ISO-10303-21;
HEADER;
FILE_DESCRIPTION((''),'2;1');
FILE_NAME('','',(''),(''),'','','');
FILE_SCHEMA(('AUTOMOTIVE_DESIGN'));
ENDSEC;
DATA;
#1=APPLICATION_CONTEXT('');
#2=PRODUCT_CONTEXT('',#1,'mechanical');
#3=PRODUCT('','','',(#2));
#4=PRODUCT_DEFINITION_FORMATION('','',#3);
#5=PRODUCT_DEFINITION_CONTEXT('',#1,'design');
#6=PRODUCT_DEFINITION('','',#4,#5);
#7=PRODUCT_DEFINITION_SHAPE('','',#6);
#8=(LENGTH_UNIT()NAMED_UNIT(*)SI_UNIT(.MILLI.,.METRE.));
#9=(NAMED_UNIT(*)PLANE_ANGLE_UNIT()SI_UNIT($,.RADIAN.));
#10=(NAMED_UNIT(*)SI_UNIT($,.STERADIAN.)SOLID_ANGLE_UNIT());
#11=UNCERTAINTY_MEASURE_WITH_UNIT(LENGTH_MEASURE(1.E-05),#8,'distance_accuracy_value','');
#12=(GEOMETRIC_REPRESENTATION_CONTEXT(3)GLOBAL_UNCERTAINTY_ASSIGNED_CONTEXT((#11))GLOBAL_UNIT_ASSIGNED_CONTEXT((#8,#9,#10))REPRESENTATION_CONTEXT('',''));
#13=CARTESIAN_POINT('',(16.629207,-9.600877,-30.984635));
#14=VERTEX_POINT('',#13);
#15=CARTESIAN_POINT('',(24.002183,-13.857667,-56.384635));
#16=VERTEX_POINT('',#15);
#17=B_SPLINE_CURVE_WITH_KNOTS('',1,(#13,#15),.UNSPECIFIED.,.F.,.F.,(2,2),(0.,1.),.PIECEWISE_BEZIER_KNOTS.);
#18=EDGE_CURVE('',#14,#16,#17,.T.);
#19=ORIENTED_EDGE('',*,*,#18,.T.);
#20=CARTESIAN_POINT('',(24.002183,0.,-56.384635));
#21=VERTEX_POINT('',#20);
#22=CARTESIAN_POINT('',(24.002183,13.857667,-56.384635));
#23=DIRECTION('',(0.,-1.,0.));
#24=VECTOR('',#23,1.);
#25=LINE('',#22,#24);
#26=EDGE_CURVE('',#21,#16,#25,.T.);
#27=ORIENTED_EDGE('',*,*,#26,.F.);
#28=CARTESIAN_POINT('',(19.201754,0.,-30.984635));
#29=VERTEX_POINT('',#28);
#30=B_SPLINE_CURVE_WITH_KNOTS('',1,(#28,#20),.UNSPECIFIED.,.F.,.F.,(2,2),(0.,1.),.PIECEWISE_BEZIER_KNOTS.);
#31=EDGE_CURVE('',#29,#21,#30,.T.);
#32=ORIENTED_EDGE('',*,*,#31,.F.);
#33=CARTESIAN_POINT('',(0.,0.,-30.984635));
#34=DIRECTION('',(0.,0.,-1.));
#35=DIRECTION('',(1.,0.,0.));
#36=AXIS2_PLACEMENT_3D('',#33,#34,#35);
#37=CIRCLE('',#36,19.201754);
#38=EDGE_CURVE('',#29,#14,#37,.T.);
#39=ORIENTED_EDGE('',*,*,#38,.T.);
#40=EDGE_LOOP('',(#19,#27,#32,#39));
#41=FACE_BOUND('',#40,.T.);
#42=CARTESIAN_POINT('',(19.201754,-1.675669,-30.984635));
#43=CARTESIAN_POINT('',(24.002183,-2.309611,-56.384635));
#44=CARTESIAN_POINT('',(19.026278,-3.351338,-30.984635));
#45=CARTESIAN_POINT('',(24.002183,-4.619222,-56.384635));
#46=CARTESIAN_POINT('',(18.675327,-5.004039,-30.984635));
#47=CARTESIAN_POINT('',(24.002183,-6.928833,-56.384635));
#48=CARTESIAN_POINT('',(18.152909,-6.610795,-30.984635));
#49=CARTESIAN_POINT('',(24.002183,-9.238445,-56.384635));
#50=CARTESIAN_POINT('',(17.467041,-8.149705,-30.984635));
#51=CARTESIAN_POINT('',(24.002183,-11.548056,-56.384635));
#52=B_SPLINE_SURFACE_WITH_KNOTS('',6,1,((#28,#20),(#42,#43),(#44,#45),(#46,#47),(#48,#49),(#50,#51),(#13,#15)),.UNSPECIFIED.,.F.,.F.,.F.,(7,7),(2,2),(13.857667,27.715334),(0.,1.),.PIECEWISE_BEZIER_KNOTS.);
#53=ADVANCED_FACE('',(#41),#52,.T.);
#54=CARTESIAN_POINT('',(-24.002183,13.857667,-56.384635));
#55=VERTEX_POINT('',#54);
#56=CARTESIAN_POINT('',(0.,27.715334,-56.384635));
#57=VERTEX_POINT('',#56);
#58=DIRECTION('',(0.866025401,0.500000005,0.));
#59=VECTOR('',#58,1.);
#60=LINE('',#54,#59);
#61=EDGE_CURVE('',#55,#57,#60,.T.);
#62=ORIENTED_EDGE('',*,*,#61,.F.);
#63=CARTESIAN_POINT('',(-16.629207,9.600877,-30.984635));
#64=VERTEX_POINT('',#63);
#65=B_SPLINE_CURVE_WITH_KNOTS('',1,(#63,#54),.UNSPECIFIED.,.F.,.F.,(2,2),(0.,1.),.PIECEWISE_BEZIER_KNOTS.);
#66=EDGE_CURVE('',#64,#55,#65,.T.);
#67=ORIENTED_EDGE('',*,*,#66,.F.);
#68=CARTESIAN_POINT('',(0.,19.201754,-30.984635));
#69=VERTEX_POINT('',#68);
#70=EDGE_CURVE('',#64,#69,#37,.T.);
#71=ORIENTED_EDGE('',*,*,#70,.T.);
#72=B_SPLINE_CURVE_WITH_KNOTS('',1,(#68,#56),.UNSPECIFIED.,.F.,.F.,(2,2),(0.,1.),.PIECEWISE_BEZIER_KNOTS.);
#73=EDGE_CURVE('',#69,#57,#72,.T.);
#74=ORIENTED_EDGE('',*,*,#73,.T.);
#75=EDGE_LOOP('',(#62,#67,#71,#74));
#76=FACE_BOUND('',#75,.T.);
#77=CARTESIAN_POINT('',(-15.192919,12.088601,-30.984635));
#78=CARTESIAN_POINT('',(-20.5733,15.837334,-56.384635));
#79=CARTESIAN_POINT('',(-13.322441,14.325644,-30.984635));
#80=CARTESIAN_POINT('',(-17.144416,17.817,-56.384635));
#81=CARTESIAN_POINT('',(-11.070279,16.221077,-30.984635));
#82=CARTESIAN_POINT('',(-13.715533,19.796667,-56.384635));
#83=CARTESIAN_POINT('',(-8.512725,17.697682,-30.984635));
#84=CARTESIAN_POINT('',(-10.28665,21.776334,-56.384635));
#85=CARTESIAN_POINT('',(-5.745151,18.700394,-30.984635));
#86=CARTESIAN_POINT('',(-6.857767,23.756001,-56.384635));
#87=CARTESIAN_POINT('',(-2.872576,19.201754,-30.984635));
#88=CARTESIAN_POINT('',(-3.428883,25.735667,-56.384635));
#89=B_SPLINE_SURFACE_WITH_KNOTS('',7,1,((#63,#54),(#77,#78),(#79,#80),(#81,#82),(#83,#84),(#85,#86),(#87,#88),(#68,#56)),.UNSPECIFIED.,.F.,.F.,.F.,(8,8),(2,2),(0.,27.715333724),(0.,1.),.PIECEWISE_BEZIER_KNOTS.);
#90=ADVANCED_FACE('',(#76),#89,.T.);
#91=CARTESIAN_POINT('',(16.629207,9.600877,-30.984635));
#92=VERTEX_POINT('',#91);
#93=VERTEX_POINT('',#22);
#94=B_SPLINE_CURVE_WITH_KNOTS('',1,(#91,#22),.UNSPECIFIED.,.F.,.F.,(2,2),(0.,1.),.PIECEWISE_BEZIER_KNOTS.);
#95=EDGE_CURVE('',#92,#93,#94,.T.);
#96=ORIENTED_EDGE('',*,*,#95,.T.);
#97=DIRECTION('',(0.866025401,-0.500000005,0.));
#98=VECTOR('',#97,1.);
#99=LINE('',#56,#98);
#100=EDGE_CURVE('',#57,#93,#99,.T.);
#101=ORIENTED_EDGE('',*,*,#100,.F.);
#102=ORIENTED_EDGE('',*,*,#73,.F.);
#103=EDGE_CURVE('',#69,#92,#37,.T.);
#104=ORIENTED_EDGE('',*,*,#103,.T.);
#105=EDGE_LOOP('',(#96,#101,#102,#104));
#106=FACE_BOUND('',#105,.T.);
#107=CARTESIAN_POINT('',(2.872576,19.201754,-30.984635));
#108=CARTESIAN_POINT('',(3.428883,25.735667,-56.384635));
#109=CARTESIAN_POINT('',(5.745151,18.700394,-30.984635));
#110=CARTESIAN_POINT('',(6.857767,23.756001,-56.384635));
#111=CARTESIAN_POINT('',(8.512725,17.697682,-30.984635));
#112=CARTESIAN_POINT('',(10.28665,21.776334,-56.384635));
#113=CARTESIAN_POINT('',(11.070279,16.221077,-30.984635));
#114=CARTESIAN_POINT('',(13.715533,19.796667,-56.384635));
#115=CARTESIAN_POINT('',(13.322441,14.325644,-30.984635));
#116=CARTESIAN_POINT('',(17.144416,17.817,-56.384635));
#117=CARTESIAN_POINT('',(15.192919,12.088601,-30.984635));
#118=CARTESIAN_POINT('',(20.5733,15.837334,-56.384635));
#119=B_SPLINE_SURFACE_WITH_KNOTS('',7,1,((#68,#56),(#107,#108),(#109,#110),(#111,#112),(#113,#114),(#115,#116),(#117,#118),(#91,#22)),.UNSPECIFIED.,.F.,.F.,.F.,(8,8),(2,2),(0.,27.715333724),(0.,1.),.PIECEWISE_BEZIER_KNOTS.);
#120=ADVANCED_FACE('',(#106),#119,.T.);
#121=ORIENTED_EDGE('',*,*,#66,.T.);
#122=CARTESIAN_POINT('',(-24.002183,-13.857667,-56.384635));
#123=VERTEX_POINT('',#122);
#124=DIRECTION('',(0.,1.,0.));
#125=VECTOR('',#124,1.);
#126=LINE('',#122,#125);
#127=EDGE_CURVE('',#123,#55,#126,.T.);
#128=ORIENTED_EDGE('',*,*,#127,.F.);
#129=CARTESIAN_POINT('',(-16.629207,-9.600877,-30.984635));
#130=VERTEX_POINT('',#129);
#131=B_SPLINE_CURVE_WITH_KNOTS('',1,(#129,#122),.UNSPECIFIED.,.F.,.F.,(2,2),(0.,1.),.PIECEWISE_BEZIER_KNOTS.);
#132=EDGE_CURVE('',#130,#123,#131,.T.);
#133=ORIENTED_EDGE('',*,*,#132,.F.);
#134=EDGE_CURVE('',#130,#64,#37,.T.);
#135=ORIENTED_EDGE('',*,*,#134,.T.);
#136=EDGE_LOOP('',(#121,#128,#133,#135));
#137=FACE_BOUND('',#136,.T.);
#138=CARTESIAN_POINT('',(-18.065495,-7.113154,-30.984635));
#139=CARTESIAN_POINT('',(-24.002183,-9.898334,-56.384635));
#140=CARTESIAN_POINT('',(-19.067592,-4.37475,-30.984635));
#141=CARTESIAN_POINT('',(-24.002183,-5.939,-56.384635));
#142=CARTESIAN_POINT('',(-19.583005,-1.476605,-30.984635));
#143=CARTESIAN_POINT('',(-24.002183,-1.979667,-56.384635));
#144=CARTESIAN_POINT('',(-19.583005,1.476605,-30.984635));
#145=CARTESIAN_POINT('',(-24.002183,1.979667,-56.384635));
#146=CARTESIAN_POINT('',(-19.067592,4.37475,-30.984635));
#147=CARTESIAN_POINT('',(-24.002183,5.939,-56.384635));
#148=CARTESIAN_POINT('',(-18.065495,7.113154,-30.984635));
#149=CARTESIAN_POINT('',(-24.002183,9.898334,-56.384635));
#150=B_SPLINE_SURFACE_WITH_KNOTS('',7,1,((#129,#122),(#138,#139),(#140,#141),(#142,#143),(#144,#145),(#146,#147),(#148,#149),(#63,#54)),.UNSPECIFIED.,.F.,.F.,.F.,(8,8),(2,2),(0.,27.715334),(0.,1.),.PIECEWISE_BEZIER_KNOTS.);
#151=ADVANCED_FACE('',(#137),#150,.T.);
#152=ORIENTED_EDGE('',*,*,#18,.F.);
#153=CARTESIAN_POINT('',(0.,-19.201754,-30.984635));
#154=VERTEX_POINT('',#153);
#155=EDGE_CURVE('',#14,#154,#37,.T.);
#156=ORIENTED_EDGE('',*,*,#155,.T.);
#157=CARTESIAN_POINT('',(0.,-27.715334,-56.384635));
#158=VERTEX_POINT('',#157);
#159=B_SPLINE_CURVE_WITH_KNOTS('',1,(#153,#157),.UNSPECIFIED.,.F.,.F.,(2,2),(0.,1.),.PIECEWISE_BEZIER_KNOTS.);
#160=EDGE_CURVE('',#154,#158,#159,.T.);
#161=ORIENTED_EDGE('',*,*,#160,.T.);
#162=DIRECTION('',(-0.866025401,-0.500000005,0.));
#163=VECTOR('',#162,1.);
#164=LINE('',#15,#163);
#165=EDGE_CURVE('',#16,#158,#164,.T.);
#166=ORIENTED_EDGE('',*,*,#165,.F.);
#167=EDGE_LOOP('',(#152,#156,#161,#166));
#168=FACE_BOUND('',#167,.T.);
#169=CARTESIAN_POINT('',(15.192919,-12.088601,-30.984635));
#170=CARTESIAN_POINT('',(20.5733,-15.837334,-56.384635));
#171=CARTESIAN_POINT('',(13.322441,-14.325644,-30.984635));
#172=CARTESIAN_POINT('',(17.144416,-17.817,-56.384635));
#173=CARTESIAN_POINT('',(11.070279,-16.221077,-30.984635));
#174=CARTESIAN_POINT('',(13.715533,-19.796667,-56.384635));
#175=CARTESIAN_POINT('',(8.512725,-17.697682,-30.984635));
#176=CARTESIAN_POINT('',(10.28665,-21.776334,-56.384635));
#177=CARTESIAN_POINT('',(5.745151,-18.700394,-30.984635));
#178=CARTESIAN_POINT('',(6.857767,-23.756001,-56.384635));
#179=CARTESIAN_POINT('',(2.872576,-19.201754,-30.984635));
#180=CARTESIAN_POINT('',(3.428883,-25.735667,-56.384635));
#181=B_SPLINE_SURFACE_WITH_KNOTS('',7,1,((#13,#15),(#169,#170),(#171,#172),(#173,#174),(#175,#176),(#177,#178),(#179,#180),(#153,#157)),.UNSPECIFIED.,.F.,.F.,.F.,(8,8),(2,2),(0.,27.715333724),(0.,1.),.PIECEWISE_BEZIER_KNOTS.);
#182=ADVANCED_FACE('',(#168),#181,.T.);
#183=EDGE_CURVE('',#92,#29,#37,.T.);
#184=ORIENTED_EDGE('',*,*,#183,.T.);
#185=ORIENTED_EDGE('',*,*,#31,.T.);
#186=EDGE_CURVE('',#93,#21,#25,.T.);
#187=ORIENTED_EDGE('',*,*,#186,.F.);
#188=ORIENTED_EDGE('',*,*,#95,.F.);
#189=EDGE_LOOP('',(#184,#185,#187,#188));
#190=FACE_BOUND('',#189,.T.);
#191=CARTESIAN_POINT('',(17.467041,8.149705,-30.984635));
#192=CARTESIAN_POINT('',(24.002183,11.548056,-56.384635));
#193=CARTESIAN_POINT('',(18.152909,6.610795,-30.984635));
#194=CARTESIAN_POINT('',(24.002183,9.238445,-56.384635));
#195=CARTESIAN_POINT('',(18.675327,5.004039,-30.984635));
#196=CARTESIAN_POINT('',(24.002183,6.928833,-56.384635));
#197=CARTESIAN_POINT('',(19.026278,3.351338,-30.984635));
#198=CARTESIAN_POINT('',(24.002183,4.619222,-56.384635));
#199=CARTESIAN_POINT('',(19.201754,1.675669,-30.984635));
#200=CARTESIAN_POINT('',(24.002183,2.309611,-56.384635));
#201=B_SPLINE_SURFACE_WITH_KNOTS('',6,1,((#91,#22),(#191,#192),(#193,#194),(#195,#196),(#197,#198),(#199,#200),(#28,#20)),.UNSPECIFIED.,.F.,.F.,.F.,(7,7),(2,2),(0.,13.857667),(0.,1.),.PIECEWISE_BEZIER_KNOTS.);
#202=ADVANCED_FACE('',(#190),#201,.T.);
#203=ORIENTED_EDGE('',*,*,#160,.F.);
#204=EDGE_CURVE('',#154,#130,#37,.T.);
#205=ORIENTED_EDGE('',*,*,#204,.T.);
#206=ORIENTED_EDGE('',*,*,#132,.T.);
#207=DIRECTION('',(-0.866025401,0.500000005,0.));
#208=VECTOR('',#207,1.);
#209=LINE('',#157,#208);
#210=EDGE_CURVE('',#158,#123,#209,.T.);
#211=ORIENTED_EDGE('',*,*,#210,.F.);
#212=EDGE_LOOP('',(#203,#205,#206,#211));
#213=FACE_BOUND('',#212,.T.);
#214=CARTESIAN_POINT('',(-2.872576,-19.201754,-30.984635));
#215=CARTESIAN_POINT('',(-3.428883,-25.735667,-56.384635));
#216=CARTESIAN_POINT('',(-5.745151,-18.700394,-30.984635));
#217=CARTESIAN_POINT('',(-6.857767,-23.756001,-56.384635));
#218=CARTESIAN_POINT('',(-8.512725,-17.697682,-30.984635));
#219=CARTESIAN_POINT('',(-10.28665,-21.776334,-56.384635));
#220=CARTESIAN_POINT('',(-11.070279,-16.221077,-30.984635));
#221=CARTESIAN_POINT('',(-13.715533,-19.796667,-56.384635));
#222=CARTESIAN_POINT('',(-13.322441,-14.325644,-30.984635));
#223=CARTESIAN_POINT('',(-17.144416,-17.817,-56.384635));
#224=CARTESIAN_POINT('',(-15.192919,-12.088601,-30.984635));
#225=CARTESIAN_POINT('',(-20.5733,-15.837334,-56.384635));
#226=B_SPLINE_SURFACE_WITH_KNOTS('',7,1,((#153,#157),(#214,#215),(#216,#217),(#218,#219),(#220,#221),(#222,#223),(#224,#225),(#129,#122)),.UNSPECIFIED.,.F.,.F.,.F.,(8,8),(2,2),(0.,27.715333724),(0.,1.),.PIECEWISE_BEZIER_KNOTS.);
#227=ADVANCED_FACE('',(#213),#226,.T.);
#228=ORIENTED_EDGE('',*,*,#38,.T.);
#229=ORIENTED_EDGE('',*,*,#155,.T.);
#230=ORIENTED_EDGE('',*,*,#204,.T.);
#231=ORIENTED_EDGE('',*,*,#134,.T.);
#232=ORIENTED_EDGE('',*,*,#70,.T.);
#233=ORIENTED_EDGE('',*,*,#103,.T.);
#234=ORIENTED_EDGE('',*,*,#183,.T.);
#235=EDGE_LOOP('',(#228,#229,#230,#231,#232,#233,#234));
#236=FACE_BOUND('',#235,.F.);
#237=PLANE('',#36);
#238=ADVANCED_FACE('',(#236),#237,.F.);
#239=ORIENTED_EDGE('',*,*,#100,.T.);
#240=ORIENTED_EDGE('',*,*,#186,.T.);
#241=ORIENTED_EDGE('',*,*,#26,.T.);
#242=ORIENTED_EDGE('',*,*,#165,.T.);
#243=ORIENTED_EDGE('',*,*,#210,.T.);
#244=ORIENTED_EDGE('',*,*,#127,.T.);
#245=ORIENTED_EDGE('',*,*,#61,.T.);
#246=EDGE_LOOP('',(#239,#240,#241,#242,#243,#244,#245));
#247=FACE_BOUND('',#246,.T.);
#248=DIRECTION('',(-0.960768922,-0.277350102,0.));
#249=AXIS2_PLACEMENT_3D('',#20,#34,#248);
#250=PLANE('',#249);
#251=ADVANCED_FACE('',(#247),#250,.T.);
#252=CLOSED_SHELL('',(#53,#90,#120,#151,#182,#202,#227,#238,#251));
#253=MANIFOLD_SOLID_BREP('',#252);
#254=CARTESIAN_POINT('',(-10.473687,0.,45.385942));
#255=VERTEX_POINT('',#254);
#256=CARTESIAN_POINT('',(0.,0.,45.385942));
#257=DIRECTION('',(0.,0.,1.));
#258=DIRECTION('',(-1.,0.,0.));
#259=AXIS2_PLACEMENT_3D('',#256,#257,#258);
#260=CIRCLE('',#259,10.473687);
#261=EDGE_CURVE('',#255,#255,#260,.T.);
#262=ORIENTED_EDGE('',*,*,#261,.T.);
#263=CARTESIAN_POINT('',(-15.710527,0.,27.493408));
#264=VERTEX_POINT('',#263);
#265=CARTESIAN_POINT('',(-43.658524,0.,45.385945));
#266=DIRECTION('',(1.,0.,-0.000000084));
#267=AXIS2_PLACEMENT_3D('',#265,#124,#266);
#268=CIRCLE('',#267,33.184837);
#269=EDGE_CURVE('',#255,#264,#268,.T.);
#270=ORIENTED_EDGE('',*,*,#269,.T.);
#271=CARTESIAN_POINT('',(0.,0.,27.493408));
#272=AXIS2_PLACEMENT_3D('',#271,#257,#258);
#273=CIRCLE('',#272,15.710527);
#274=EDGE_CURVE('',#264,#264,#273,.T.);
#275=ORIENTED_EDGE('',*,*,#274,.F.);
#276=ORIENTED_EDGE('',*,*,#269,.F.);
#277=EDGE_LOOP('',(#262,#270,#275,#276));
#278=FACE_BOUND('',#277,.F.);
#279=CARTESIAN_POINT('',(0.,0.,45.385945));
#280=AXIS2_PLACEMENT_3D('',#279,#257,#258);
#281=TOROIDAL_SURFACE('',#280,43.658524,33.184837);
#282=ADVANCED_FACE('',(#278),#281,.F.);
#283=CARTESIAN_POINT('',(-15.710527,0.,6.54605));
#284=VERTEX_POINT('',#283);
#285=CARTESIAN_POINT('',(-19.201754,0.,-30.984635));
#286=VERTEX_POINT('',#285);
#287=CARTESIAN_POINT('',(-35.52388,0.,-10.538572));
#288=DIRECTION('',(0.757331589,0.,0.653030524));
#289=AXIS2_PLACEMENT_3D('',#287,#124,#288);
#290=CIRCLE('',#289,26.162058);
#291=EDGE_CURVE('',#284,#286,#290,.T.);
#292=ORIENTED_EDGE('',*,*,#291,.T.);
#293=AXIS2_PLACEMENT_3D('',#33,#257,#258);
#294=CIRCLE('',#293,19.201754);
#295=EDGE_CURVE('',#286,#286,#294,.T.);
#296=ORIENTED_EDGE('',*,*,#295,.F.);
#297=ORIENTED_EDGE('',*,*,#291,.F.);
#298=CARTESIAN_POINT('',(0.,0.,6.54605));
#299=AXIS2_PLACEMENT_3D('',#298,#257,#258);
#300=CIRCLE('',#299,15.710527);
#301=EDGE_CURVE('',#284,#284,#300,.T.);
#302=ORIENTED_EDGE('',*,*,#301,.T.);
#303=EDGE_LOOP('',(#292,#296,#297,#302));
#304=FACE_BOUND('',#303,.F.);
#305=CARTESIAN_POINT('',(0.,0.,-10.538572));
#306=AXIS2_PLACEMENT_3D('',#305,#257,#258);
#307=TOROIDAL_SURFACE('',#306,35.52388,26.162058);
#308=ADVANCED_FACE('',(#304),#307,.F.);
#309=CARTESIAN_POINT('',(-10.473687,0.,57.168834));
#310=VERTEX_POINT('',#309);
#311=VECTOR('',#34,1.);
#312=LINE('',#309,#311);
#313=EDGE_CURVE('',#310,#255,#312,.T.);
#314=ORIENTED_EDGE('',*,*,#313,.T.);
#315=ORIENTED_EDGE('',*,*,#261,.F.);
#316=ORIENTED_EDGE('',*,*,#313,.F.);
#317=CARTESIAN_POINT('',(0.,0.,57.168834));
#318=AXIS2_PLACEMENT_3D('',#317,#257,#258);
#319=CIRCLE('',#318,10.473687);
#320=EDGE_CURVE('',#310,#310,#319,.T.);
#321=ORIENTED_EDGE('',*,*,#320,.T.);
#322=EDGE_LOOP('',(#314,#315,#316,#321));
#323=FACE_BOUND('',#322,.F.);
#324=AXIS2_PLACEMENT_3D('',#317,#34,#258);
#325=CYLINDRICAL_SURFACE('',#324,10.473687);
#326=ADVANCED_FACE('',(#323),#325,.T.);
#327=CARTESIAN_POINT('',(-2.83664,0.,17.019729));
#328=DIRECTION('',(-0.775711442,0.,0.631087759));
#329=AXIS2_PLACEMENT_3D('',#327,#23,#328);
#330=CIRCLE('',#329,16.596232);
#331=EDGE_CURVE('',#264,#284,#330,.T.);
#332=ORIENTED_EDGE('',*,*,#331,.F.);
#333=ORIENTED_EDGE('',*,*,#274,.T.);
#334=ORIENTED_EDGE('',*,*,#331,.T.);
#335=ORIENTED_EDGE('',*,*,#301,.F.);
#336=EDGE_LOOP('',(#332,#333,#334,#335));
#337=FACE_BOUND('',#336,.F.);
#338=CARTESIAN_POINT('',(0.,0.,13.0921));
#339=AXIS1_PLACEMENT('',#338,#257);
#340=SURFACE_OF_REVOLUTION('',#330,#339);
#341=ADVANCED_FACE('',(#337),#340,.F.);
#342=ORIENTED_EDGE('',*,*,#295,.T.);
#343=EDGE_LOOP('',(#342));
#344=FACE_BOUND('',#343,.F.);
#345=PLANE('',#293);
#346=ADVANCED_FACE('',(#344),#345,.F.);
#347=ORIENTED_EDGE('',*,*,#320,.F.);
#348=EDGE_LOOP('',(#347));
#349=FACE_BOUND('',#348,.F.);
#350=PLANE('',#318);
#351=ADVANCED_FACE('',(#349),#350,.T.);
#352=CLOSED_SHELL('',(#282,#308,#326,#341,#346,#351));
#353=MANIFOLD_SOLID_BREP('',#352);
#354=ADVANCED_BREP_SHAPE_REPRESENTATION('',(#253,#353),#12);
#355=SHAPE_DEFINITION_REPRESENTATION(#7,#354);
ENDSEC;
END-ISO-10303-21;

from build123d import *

# Parameters (mm, degrees)
F1_FACE_R = 19.201754


with BuildPart() as f1:
    # F0 (on Front) → F1 (revolve)
    with BuildSketch(Plane.XZ):
        with BuildLine():
            ThreePointArc((-15.710527, 6.54605), (-9.474287, -12.96179), (-19.201754, -30.984635))
            Line((-19.201754, -30.984635), (0, -30.984635))
            Line((0, -30.984635), (0, 57.168834))
            Line((0, 57.168834), (-10.473687, 57.168834))
            Line((-10.473687, 57.168834), (-10.473687, 45.385942))
            ThreePointArc((-10.473687, 45.385942), (-11.809795, 36.064364), (-15.710527, 27.493408))
            ThreePointArc((-15.710527, 27.493408), (-19.432872, 17.019729), (-15.710527, 6.54605))
        make_face()
    revolve(axis=Axis((0, 0, 13.0921), (0, 0, 1)))


with BuildPart() as f4:
    # F1_face (on face) → F4 section 0
    with BuildSketch(Plane(origin=(0, 0, -30.984635), x_dir=(1, 0, 0), z_dir=(0, 0, -1))):
        Circle(F1_FACE_R)
    # F3 (on offset) → F4 section 1
    with BuildSketch(Plane(origin=(0, 0, -56.384635), x_dir=(1, 0, 0), z_dir=(0, 0, -1))):
        Polygon((-24.002183, 13.857667), (-24.002183, -13.857667), (0, -27.715334), (24.002183, -13.857667), (24.002183, 13.857667), (0, 27.715334), align=None)
    loft()


solid = Compound([f1.part, f4.part])
